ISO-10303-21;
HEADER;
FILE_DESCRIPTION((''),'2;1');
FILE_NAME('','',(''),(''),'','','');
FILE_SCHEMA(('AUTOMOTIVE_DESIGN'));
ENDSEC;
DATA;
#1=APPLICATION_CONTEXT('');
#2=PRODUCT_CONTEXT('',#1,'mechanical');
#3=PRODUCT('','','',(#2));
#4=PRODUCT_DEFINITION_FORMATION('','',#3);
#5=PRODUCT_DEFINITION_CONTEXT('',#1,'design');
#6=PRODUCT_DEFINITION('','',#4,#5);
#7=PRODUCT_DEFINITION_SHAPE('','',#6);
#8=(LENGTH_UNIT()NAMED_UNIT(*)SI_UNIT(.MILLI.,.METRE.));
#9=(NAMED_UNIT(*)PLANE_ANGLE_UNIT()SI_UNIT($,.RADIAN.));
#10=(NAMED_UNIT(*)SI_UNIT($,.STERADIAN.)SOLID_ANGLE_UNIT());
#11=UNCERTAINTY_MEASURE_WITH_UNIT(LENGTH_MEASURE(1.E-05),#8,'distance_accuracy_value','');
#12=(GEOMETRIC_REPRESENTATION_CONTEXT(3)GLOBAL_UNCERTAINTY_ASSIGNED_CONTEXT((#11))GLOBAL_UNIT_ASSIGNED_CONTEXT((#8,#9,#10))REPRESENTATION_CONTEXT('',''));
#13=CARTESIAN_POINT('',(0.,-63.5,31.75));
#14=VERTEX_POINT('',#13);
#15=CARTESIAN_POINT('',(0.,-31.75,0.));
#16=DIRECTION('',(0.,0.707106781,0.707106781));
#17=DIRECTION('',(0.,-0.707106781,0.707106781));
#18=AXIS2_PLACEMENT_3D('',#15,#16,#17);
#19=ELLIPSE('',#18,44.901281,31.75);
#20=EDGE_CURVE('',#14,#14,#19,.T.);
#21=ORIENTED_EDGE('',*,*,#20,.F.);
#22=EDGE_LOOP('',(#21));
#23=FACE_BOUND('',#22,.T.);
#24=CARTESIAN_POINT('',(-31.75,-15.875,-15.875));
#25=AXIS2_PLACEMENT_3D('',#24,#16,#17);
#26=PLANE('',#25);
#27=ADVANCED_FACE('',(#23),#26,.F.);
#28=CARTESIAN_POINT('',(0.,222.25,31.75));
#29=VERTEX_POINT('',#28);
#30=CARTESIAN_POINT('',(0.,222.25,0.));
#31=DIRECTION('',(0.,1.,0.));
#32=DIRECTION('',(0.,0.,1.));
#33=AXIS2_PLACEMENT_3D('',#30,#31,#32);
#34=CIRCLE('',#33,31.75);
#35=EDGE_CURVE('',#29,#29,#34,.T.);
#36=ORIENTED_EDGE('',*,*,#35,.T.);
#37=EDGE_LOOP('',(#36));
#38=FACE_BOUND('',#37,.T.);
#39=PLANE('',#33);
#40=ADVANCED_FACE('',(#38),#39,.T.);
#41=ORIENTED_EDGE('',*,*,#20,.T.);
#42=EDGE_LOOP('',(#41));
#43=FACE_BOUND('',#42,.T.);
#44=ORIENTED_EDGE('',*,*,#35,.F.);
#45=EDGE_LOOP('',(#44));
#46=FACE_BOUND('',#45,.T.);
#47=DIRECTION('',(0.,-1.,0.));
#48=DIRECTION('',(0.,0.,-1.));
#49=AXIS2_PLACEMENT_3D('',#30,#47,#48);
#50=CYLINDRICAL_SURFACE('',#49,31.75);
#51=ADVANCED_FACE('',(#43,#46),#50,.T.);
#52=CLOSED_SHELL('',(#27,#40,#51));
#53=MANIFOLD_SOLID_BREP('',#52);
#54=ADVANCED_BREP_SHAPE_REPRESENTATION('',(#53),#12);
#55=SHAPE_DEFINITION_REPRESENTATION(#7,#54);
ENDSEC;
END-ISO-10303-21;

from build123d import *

# Parameters (mm, degrees)
SKETCH1_R           = 31.75
BOSS_EXTRUDE1_DEPTH = 222.25
SKETCH2_R           = 31.75
BOSS_EXTRUDE2_DEPTH = 63.5
CUT_EXTRUDE1_DEPTH  = 63.5


with BuildPart() as part:
    # Sketch1 → Boss-Extrude1 (new body)
    with BuildSketch(Plane(origin=(0, 0, 0), x_dir=(1, 0, 0), z_dir=(0, 1, 0))):
        Circle(SKETCH1_R)
    extrude(amount=BOSS_EXTRUDE1_DEPTH)

    # Sketch2 → Boss-Extrude2 (add)
    with BuildSketch(Plane.XZ):
        Circle(SKETCH2_R)
    extrude(amount=BOSS_EXTRUDE2_DEPTH)

    # Sketch3 → Cut-Extrude1 (cut)
    with BuildSketch(Plane(origin=(31.75, 0, 0), x_dir=(0, 0, -1), z_dir=(1, 0, 0))):
        Polygon((31.75, 0), (31.75, -63.5), (-31.75, -63.5), align=None)
    extrude(amount=-CUT_EXTRUDE1_DEPTH, mode=Mode.SUBTRACT)


solid = part.part
